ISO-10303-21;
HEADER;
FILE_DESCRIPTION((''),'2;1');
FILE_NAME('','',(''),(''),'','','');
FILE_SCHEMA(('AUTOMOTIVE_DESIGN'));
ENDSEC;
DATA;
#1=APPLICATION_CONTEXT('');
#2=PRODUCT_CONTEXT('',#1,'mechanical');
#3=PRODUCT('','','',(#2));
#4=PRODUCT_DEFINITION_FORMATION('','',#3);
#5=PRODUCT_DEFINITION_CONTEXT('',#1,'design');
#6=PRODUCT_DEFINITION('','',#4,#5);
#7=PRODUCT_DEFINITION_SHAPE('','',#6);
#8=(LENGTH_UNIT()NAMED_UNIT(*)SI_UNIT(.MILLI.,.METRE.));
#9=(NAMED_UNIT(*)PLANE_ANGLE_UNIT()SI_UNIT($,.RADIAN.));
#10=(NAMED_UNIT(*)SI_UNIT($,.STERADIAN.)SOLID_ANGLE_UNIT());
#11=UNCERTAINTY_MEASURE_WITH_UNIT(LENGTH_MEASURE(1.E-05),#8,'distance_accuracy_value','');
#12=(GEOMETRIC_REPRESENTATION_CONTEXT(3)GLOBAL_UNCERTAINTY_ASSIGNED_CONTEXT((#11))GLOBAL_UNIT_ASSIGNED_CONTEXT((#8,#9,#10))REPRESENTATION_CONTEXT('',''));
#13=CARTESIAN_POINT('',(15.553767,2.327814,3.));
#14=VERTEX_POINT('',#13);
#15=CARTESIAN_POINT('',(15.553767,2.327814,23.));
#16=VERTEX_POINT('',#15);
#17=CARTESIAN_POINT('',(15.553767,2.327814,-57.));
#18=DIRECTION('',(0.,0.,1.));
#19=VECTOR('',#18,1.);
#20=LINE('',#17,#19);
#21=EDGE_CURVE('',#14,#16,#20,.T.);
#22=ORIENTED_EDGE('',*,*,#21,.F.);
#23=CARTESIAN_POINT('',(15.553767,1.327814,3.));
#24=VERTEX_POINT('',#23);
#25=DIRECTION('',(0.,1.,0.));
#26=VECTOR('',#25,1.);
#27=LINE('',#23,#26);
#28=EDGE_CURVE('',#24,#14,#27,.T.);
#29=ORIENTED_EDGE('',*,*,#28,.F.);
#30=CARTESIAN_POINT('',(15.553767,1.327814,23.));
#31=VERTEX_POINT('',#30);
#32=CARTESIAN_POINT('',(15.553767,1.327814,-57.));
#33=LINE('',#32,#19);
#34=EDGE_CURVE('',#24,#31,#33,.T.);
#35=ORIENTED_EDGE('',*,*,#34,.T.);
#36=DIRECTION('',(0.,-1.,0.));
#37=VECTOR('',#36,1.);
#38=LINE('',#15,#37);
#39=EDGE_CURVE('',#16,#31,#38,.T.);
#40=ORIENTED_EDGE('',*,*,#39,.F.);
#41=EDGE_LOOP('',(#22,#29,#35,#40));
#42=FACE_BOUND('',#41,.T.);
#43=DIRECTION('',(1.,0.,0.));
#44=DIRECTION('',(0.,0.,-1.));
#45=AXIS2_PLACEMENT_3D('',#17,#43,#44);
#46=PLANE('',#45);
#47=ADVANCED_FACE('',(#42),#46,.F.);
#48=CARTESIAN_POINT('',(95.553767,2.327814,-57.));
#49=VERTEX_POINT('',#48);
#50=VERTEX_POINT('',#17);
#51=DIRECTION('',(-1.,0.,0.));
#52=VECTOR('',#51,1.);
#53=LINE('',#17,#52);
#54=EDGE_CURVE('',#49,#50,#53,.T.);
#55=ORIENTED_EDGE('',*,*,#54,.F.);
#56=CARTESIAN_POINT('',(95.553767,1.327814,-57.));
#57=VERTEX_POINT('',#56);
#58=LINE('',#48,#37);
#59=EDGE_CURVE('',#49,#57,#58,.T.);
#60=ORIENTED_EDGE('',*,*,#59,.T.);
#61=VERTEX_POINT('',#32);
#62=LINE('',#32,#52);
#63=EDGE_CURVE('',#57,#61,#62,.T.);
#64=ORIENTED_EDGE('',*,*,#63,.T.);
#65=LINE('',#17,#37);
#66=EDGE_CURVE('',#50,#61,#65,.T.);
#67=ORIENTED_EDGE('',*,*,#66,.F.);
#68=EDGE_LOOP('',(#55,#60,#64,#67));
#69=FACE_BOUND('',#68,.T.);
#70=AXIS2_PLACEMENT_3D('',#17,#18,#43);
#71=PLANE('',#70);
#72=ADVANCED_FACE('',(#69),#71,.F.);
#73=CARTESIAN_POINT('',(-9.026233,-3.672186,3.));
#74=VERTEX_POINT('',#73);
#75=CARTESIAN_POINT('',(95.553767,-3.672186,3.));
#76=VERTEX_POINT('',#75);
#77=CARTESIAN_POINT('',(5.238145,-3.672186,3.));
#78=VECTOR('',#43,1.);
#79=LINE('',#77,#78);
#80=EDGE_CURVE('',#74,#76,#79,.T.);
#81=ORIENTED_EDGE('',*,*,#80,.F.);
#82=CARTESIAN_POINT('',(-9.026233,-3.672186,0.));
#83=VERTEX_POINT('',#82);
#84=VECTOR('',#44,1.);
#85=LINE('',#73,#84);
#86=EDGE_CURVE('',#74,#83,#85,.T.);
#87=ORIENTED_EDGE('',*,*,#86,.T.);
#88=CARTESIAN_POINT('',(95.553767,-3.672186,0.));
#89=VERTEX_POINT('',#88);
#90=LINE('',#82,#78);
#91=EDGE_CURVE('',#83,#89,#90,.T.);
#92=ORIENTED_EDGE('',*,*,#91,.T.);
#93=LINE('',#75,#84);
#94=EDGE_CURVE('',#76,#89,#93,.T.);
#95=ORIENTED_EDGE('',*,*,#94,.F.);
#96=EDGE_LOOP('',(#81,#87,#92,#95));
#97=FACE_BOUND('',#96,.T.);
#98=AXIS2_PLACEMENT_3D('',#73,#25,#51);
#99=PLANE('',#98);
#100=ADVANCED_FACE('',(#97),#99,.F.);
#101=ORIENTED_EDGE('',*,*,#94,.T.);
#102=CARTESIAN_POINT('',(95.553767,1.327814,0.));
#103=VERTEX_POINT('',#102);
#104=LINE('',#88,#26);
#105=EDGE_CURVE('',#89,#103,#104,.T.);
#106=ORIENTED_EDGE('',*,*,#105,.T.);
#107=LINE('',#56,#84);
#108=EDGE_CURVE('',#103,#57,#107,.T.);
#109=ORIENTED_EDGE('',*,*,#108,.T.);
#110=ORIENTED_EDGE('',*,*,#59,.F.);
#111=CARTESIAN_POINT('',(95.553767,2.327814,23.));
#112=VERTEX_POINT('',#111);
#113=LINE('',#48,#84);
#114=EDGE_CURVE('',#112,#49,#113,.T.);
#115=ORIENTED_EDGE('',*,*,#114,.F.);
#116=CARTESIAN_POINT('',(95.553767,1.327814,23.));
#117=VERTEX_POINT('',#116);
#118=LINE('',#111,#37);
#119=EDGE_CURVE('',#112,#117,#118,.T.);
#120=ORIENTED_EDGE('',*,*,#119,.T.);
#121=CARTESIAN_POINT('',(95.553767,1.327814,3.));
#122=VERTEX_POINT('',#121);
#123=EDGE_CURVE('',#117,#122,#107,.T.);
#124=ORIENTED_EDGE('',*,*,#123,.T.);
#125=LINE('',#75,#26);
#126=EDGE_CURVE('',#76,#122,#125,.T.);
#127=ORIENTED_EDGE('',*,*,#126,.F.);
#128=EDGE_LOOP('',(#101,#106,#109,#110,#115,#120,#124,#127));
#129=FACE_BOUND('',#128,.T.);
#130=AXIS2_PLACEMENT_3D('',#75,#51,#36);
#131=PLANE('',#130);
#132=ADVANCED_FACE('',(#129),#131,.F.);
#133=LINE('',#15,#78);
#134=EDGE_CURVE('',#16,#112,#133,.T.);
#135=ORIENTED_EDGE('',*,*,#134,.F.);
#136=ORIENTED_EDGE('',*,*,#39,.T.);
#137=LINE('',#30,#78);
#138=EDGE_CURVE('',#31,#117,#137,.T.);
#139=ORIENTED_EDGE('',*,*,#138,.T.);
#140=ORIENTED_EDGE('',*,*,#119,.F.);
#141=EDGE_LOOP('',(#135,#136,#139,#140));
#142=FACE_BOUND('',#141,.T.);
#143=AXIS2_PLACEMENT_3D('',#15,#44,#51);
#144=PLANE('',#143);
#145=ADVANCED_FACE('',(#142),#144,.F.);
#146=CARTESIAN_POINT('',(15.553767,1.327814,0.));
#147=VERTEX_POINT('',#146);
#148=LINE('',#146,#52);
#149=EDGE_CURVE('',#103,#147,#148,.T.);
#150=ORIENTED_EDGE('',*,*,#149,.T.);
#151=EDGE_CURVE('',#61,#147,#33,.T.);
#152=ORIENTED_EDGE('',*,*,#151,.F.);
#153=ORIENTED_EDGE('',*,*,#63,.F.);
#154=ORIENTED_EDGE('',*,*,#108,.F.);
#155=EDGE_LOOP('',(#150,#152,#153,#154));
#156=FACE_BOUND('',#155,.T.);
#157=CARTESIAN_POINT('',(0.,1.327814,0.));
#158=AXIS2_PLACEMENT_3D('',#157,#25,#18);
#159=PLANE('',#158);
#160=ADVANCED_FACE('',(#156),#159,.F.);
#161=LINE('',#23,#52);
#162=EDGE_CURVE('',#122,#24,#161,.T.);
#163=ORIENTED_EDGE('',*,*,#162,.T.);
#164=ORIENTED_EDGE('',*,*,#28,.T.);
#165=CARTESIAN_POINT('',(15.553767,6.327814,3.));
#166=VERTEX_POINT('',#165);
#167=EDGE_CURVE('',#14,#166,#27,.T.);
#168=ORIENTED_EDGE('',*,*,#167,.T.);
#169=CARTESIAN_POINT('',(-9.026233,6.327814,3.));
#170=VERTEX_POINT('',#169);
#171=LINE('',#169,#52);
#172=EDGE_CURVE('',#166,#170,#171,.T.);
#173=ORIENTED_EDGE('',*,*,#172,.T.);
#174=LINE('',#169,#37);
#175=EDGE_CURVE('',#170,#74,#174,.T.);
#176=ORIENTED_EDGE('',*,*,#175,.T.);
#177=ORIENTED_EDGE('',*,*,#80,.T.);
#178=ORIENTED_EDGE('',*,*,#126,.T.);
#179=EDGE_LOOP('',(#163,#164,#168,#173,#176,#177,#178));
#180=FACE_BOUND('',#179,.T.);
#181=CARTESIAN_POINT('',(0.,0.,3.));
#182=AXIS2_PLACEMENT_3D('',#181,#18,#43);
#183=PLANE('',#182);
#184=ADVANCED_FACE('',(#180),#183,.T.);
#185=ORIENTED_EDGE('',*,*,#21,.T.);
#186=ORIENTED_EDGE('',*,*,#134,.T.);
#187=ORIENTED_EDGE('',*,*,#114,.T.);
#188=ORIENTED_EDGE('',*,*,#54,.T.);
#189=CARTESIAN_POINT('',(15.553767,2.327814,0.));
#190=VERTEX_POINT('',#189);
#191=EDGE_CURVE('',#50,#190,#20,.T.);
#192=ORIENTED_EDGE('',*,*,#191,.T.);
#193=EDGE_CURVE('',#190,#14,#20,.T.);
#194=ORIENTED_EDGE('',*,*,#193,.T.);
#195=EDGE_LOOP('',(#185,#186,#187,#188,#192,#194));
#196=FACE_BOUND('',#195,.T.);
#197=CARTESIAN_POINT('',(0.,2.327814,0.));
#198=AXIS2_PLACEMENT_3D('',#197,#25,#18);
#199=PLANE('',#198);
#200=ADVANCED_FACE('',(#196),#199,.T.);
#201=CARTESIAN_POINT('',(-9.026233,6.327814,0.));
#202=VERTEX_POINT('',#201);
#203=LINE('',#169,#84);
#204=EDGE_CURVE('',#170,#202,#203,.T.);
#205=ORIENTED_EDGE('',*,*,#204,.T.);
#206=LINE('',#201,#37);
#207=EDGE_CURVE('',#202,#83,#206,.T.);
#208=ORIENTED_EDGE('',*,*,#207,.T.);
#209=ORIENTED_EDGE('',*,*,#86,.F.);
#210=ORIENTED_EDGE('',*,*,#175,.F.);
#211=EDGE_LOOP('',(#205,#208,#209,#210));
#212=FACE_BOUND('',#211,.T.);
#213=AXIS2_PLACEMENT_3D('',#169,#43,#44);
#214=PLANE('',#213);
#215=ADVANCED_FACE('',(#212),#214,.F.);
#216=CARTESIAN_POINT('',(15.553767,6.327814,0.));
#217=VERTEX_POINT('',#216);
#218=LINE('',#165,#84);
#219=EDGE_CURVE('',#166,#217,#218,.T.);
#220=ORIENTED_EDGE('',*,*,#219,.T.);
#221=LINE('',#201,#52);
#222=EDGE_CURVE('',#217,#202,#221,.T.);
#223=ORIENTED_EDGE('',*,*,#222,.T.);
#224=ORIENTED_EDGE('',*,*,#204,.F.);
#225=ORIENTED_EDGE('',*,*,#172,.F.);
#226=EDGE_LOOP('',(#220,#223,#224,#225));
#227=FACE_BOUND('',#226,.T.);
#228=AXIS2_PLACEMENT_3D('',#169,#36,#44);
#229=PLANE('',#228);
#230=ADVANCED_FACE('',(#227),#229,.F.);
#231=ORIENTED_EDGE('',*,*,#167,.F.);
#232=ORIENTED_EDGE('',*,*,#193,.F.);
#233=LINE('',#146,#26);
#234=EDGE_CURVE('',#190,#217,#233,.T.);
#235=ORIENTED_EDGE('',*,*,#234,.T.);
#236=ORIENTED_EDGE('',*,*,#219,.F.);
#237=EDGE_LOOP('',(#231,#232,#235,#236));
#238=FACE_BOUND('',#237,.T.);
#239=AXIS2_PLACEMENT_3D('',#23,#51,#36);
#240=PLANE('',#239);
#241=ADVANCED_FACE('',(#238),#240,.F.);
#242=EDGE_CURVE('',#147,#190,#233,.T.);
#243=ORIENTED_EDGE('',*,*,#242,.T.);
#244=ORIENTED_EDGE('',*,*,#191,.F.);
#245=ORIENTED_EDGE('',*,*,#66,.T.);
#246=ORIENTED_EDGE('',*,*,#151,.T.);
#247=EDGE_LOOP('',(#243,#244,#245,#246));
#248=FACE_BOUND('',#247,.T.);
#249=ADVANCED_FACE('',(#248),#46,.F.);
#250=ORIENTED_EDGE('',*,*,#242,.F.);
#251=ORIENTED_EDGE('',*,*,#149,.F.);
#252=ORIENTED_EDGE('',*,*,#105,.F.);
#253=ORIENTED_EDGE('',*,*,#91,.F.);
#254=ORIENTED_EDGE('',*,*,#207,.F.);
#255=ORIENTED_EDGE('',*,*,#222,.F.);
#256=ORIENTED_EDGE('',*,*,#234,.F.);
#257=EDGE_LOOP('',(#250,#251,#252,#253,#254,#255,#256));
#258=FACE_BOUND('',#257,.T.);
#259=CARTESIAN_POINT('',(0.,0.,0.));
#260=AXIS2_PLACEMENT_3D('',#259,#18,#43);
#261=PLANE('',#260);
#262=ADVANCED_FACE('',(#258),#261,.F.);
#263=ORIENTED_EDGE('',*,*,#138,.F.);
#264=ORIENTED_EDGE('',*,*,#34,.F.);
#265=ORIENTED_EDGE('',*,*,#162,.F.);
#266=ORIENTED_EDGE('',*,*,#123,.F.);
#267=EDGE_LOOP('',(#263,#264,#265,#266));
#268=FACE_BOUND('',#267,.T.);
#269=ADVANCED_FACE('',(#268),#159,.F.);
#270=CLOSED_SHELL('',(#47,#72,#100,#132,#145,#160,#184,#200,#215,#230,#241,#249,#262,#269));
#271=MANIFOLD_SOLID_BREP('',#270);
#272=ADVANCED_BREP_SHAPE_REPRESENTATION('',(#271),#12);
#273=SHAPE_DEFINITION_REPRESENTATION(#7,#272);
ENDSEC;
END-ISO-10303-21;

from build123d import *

# Parameters (mm, degrees)
BOSS_EXTRUDE3_DEPTH = 3
SKETCH4_W           = 80
SKETCH4_H           = 80
BOSS_EXTRUDE4_DEPTH = 1


with BuildPart() as part:
    # Sketch1 → Boss-Extrude3 (new body)
    with BuildSketch(Plane.XY):
        Polygon((15.553767031, 1.327814089), (15.553767031, 6.327814089), (-9.026232969, 6.327814089), (-9.026232969, -3.672185911), (5.238144653, -3.672185911), (95.553767031, -3.672185911), (95.553767031, 1.327814089), align=None)
    extrude(amount=BOSS_EXTRUDE3_DEPTH)

    # Sketch4 → Boss-Extrude4 (add)
    with BuildSketch(Plane(origin=(0, 1.327814089, 0), x_dir=(1, 0, 0), z_dir=(0, 1, 0))):
        with Locations((55.553767031, 17)):
            Rectangle(SKETCH4_W, SKETCH4_H)
    extrude(amount=BOSS_EXTRUDE4_DEPTH)


solid = part.part
